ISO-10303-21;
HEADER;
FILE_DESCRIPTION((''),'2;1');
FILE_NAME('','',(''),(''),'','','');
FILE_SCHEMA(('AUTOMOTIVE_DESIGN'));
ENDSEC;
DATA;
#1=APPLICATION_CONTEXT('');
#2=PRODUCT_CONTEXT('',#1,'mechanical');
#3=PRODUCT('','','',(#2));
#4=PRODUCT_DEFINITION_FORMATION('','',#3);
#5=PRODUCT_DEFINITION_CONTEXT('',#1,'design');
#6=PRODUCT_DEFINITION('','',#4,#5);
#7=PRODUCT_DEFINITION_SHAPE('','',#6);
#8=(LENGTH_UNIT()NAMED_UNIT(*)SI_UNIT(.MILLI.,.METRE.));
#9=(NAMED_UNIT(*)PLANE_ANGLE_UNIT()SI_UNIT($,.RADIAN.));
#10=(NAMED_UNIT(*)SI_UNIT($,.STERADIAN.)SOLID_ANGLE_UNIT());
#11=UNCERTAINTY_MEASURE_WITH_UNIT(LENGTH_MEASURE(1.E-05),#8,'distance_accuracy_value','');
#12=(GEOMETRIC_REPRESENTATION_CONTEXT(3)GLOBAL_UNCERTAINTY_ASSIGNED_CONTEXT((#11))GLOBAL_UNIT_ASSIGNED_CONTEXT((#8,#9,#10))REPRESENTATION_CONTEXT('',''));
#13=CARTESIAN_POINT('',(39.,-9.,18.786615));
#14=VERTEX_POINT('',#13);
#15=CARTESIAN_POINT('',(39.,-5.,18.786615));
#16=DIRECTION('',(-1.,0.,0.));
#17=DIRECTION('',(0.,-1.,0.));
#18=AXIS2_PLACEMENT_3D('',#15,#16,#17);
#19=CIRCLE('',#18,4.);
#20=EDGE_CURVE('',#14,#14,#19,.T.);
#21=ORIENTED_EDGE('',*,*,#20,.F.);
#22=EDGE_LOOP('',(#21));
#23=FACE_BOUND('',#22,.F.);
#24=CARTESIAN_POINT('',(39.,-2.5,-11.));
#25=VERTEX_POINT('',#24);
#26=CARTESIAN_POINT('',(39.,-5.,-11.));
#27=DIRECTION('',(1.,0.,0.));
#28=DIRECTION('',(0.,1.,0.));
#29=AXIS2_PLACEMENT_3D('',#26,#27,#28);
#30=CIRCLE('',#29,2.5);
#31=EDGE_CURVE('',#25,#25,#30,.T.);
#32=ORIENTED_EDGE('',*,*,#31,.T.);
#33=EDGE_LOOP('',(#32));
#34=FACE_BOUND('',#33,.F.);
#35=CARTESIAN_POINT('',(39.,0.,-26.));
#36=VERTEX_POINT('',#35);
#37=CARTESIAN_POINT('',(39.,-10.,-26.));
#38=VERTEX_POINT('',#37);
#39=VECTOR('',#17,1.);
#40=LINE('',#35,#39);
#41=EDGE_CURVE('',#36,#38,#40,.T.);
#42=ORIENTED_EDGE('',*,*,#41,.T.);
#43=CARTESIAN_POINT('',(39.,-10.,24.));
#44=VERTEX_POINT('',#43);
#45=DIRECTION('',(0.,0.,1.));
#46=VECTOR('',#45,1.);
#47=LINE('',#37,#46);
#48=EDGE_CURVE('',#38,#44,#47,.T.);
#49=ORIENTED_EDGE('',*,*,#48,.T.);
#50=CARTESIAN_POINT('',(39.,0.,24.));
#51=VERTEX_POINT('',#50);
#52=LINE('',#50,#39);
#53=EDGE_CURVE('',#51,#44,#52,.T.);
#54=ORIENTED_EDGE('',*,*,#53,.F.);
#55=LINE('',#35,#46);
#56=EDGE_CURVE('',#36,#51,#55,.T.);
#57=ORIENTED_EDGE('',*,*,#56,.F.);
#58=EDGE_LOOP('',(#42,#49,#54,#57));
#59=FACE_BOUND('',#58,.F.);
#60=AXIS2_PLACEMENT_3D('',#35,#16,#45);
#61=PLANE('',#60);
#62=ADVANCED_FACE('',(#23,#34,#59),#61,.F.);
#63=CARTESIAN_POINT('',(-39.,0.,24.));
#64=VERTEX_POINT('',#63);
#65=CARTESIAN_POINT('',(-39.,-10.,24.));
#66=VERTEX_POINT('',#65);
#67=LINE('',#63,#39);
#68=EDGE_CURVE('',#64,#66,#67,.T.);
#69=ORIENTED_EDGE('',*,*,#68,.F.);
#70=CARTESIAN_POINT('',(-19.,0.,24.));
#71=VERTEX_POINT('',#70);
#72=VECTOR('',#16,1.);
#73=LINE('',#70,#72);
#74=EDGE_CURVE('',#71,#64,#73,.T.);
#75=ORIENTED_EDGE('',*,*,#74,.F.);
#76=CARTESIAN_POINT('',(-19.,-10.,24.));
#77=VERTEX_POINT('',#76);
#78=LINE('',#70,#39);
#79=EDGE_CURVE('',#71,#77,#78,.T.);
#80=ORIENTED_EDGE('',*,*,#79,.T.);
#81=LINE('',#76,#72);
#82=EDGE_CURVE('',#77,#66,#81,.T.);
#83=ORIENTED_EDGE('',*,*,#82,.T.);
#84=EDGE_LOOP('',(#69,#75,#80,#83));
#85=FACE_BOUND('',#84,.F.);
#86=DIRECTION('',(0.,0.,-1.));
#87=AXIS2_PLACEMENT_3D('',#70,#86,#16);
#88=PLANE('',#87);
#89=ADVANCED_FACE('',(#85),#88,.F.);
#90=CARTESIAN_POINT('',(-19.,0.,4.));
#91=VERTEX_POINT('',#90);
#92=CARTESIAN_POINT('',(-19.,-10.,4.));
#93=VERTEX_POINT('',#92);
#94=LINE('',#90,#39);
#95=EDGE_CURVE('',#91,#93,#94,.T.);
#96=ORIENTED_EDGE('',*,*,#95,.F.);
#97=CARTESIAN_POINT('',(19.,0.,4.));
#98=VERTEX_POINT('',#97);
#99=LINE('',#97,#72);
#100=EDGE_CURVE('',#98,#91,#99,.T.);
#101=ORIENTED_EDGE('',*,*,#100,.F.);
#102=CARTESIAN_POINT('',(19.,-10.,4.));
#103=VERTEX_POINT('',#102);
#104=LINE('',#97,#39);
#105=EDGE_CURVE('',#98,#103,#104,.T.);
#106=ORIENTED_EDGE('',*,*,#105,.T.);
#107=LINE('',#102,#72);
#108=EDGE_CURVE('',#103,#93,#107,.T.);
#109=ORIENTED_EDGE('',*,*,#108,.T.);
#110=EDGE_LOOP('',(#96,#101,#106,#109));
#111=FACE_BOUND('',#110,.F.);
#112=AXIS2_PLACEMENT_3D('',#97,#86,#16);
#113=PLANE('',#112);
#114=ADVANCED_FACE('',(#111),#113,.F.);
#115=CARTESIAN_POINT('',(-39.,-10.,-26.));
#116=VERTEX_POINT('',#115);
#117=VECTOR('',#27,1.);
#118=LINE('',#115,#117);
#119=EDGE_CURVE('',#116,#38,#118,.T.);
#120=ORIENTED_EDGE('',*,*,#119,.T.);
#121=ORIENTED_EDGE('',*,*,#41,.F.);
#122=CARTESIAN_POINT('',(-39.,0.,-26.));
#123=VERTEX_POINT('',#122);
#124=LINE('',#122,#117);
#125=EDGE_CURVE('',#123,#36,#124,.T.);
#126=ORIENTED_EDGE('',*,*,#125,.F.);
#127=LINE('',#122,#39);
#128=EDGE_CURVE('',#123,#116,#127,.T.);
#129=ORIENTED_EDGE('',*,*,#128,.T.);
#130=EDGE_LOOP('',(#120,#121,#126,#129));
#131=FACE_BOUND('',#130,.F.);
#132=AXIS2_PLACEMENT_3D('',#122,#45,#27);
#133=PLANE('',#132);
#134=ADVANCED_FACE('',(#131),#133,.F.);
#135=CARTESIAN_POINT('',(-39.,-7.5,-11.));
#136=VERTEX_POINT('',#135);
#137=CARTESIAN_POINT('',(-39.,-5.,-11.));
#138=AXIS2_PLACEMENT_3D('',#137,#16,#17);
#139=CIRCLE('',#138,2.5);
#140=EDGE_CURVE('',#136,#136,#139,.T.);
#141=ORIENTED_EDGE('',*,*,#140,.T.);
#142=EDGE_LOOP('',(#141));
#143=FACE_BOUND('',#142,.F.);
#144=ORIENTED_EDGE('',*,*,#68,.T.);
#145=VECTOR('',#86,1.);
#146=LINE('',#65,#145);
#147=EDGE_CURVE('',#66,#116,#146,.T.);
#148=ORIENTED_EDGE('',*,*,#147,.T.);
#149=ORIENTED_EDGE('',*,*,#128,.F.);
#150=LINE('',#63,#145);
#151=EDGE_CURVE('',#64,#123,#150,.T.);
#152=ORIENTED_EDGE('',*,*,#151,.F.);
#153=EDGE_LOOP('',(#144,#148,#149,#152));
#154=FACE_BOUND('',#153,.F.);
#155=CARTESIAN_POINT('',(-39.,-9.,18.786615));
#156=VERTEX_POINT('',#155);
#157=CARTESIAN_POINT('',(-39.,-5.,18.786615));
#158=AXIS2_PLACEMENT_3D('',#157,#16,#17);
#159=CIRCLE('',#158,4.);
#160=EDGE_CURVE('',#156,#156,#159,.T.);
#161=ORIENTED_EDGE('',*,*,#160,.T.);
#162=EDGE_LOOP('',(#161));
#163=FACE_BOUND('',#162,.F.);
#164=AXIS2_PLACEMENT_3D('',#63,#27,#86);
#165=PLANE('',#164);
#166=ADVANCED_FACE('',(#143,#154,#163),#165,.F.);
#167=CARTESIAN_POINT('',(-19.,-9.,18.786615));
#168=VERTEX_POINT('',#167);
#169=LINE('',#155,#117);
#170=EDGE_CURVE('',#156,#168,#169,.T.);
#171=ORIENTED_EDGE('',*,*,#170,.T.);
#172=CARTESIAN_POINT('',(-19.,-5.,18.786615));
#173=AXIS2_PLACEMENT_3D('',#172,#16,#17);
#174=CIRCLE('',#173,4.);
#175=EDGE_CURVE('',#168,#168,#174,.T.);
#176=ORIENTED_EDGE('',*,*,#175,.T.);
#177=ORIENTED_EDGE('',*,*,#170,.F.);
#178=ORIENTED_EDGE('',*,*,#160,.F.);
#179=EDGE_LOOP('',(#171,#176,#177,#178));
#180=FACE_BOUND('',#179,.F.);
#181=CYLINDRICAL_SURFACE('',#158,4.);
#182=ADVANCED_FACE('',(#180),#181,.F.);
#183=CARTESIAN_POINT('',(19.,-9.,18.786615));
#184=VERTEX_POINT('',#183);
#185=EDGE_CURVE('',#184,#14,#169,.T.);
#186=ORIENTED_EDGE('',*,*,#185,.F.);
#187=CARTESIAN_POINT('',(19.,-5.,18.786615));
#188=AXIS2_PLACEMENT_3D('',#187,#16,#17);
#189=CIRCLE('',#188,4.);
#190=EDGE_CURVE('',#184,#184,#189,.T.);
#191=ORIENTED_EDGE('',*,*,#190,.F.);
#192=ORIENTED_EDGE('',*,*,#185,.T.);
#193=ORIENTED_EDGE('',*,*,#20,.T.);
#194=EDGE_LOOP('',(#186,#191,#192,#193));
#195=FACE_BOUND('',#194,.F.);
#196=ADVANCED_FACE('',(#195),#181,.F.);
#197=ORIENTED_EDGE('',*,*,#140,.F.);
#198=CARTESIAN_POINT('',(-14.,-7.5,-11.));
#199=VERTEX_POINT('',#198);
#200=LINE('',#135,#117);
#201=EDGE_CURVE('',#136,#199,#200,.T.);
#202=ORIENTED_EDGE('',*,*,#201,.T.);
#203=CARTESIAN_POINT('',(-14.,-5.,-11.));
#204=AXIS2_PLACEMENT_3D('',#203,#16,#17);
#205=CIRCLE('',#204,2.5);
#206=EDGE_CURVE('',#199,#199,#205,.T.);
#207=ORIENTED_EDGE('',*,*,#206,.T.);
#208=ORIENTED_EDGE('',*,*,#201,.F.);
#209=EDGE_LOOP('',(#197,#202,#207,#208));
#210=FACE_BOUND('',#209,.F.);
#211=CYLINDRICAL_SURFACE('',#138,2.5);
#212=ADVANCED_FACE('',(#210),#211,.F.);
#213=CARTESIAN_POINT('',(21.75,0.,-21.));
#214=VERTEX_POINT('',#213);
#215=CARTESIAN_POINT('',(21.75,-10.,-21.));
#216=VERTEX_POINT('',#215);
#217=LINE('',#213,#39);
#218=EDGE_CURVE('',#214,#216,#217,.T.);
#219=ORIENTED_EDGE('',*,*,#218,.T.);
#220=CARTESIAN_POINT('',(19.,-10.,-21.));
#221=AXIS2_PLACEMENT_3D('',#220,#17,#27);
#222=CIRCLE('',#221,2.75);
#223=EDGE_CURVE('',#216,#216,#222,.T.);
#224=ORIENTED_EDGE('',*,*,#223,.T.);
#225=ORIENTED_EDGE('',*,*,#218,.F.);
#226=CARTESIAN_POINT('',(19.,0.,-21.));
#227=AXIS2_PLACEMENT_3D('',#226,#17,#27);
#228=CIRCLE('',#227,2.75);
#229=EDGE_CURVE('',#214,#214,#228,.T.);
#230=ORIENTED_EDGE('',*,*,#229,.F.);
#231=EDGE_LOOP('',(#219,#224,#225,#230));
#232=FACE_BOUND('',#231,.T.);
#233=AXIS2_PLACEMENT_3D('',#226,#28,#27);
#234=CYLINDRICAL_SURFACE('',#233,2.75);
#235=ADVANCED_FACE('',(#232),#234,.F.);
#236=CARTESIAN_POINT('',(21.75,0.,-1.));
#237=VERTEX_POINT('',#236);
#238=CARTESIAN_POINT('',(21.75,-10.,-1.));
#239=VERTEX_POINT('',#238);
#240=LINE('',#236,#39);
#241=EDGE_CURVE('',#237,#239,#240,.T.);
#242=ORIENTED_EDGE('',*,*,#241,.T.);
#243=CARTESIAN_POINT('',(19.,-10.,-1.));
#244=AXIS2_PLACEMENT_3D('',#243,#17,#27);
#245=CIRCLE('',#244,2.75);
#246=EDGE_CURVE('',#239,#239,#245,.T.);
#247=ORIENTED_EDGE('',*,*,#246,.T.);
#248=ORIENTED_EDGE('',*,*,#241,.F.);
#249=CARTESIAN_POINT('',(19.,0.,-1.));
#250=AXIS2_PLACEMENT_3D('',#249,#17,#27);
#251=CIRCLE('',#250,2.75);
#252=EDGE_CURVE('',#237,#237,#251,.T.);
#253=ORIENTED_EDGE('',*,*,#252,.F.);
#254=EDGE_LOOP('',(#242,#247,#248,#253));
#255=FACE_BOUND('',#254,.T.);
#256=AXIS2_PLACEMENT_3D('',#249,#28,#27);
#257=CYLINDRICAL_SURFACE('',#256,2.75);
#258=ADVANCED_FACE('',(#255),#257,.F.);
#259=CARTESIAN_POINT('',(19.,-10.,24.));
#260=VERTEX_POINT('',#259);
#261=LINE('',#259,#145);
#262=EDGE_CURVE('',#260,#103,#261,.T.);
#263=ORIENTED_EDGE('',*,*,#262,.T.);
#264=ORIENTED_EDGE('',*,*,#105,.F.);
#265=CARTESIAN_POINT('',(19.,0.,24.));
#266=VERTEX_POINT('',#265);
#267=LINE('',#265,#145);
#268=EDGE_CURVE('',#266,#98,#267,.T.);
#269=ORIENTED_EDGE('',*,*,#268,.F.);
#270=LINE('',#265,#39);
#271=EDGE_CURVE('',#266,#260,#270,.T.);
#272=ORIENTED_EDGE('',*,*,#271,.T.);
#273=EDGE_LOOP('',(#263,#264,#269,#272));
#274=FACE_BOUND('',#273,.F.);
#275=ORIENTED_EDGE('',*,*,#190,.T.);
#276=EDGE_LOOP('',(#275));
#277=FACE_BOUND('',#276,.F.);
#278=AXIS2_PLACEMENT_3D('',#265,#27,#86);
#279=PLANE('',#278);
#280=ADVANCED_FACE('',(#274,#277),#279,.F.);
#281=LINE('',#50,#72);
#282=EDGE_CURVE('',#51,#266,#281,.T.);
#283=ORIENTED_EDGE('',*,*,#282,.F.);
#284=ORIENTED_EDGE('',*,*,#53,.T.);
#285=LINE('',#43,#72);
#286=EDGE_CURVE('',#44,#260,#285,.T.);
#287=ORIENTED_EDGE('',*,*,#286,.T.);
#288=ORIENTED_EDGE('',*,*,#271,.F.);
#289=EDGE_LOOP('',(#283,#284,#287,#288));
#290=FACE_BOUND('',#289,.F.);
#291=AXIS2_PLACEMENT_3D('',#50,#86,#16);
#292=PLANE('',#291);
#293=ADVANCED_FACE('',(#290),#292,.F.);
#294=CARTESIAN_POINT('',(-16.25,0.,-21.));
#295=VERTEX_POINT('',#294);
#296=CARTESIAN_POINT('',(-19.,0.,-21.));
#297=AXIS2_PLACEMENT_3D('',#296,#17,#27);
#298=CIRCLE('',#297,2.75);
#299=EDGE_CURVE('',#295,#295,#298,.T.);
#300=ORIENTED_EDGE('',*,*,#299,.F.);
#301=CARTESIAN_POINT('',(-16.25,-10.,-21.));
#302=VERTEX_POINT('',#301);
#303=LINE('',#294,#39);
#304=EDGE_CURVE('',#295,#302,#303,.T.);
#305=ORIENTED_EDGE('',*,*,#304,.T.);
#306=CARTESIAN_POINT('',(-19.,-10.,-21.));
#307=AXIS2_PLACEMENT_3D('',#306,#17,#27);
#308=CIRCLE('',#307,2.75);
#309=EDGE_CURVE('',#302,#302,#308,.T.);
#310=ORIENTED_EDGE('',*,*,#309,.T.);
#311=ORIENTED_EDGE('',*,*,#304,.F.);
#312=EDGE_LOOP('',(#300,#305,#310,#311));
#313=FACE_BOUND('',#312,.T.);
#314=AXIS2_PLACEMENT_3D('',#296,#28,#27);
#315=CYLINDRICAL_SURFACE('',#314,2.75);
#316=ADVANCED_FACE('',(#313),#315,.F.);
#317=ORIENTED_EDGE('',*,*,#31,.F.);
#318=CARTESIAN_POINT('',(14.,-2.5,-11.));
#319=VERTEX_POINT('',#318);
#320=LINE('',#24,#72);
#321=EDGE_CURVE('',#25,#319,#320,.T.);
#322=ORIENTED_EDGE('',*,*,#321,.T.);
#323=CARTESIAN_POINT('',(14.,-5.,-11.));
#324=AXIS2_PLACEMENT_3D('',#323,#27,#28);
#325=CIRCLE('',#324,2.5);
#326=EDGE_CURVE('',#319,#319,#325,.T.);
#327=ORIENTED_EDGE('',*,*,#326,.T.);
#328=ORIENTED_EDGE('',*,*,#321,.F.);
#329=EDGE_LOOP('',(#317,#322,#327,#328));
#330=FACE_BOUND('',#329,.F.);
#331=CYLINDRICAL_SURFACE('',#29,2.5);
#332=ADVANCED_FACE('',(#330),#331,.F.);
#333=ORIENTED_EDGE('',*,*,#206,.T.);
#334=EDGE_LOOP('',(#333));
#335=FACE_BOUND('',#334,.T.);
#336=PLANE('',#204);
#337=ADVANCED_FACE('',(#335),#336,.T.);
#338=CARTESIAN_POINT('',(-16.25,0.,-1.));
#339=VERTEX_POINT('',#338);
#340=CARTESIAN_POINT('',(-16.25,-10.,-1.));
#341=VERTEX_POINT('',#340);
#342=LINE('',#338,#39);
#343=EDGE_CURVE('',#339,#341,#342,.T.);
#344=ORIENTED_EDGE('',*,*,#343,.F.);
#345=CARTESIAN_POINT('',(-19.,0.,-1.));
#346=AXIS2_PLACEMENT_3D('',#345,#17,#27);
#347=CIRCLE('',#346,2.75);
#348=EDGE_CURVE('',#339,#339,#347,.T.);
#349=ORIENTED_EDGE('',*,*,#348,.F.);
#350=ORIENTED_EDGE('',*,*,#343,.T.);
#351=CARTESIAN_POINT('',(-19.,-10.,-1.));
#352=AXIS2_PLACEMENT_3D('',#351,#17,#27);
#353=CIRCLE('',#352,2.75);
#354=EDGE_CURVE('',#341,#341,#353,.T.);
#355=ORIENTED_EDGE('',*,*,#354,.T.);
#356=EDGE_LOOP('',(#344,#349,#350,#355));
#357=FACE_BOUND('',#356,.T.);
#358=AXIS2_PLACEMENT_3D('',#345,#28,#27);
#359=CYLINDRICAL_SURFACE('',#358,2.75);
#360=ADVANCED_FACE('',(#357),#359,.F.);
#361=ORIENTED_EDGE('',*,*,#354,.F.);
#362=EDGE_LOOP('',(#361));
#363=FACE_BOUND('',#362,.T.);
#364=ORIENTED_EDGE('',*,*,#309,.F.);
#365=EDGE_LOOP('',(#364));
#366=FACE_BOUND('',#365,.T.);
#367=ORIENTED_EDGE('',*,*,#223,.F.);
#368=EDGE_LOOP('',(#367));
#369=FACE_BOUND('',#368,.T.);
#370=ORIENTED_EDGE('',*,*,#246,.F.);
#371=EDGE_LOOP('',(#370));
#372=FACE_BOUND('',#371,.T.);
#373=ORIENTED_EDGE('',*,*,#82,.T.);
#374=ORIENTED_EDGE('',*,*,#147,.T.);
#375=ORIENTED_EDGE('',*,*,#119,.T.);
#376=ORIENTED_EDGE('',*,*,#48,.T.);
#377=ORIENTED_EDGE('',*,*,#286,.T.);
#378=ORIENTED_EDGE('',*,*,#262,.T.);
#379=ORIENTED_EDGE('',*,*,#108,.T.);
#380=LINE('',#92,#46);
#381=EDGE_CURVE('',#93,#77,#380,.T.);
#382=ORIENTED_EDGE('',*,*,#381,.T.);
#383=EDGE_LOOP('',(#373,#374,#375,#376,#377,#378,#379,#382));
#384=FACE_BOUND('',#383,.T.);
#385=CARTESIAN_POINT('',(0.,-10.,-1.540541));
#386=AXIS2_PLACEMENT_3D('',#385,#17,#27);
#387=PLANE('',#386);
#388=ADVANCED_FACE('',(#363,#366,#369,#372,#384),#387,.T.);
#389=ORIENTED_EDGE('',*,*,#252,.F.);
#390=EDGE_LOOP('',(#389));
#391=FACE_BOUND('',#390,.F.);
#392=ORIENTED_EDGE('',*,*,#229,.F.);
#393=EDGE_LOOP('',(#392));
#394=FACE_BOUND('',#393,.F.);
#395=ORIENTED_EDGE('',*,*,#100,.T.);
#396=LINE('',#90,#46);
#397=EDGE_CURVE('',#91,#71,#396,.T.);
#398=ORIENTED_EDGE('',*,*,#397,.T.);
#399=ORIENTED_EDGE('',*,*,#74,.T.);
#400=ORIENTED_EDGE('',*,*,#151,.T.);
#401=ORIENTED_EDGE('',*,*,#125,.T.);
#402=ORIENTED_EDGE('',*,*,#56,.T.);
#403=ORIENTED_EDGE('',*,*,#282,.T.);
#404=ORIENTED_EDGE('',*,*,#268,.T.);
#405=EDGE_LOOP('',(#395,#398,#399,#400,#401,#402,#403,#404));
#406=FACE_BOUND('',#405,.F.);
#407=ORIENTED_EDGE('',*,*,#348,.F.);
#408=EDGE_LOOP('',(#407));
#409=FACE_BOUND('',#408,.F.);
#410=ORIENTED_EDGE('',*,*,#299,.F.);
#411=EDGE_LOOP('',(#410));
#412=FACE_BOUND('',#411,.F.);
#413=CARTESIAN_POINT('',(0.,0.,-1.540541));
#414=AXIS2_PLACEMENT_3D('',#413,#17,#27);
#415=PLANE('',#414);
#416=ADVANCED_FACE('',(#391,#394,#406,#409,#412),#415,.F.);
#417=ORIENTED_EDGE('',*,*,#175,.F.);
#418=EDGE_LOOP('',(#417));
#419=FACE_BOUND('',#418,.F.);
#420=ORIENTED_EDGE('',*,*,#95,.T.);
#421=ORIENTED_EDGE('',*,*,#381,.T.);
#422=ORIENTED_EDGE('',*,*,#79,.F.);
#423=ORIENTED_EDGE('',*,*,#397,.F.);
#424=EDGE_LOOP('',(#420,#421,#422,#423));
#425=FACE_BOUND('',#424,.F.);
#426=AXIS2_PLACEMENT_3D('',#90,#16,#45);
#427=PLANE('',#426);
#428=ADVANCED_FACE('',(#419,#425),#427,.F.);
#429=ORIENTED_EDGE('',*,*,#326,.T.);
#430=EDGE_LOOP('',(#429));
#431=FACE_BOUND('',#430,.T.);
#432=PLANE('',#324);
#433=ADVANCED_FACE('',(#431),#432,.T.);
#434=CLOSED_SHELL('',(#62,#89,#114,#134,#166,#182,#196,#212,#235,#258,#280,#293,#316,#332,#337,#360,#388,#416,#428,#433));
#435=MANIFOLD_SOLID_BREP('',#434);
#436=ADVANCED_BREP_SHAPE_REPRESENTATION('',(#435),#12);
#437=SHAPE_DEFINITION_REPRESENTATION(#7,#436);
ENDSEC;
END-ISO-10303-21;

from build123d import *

# Parameters (mm, degrees)
F0_R     = 2.75
F1_DEPTH = 10
F2_R     = 4
F3_DEPTH = 99
F4_R     = 2.5
F5_DEPTH = 25
F6_R     = 2.5
F7_DEPTH = 25


with BuildPart() as f1:
    # F0 (on Front) → F1 (new body)
    with BuildSketch(Plane.XZ):
        Polygon((-19, 24), (-39, 24), (-39, -26), (39, -26), (39, 24), (19, 24), (19, 4), (-19, 4), align=None)
        with Locations((-19, -21)):
            Circle(F0_R, mode=Mode.SUBTRACT)
        with Locations((19, -21)):
            Circle(F0_R, mode=Mode.SUBTRACT)
        with Locations((-19, -1)):
            Circle(F0_R, mode=Mode.SUBTRACT)
        with Locations((19, -1)):
            Circle(F0_R, mode=Mode.SUBTRACT)
    extrude(amount=F1_DEPTH)

    # F2 (on face) → F3 (cut)
    with BuildSketch(Plane(origin=(-39, 0, 0), x_dir=(0, -1, 0), z_dir=(-1, 0, 0))):
        with Locations((5, 18.786615)):
            Circle(F2_R)
    extrude(amount=-F3_DEPTH, mode=Mode.SUBTRACT)

    # F4 (on face) → F5 (cut)
    with BuildSketch(Plane(origin=(-39, 0, 0), x_dir=(0, -1, 0), z_dir=(-1, 0, 0))):
        with Locations((5, -11)):
            Circle(F4_R)
    extrude(amount=-F5_DEPTH, mode=Mode.SUBTRACT)

    # F6 (on face) → F7 (cut)
    with BuildSketch(Plane.YZ.offset(39)):
        with Locations((-5, -11)):
            Circle(F6_R)
    extrude(amount=-F7_DEPTH, mode=Mode.SUBTRACT)


solid = f1.part
